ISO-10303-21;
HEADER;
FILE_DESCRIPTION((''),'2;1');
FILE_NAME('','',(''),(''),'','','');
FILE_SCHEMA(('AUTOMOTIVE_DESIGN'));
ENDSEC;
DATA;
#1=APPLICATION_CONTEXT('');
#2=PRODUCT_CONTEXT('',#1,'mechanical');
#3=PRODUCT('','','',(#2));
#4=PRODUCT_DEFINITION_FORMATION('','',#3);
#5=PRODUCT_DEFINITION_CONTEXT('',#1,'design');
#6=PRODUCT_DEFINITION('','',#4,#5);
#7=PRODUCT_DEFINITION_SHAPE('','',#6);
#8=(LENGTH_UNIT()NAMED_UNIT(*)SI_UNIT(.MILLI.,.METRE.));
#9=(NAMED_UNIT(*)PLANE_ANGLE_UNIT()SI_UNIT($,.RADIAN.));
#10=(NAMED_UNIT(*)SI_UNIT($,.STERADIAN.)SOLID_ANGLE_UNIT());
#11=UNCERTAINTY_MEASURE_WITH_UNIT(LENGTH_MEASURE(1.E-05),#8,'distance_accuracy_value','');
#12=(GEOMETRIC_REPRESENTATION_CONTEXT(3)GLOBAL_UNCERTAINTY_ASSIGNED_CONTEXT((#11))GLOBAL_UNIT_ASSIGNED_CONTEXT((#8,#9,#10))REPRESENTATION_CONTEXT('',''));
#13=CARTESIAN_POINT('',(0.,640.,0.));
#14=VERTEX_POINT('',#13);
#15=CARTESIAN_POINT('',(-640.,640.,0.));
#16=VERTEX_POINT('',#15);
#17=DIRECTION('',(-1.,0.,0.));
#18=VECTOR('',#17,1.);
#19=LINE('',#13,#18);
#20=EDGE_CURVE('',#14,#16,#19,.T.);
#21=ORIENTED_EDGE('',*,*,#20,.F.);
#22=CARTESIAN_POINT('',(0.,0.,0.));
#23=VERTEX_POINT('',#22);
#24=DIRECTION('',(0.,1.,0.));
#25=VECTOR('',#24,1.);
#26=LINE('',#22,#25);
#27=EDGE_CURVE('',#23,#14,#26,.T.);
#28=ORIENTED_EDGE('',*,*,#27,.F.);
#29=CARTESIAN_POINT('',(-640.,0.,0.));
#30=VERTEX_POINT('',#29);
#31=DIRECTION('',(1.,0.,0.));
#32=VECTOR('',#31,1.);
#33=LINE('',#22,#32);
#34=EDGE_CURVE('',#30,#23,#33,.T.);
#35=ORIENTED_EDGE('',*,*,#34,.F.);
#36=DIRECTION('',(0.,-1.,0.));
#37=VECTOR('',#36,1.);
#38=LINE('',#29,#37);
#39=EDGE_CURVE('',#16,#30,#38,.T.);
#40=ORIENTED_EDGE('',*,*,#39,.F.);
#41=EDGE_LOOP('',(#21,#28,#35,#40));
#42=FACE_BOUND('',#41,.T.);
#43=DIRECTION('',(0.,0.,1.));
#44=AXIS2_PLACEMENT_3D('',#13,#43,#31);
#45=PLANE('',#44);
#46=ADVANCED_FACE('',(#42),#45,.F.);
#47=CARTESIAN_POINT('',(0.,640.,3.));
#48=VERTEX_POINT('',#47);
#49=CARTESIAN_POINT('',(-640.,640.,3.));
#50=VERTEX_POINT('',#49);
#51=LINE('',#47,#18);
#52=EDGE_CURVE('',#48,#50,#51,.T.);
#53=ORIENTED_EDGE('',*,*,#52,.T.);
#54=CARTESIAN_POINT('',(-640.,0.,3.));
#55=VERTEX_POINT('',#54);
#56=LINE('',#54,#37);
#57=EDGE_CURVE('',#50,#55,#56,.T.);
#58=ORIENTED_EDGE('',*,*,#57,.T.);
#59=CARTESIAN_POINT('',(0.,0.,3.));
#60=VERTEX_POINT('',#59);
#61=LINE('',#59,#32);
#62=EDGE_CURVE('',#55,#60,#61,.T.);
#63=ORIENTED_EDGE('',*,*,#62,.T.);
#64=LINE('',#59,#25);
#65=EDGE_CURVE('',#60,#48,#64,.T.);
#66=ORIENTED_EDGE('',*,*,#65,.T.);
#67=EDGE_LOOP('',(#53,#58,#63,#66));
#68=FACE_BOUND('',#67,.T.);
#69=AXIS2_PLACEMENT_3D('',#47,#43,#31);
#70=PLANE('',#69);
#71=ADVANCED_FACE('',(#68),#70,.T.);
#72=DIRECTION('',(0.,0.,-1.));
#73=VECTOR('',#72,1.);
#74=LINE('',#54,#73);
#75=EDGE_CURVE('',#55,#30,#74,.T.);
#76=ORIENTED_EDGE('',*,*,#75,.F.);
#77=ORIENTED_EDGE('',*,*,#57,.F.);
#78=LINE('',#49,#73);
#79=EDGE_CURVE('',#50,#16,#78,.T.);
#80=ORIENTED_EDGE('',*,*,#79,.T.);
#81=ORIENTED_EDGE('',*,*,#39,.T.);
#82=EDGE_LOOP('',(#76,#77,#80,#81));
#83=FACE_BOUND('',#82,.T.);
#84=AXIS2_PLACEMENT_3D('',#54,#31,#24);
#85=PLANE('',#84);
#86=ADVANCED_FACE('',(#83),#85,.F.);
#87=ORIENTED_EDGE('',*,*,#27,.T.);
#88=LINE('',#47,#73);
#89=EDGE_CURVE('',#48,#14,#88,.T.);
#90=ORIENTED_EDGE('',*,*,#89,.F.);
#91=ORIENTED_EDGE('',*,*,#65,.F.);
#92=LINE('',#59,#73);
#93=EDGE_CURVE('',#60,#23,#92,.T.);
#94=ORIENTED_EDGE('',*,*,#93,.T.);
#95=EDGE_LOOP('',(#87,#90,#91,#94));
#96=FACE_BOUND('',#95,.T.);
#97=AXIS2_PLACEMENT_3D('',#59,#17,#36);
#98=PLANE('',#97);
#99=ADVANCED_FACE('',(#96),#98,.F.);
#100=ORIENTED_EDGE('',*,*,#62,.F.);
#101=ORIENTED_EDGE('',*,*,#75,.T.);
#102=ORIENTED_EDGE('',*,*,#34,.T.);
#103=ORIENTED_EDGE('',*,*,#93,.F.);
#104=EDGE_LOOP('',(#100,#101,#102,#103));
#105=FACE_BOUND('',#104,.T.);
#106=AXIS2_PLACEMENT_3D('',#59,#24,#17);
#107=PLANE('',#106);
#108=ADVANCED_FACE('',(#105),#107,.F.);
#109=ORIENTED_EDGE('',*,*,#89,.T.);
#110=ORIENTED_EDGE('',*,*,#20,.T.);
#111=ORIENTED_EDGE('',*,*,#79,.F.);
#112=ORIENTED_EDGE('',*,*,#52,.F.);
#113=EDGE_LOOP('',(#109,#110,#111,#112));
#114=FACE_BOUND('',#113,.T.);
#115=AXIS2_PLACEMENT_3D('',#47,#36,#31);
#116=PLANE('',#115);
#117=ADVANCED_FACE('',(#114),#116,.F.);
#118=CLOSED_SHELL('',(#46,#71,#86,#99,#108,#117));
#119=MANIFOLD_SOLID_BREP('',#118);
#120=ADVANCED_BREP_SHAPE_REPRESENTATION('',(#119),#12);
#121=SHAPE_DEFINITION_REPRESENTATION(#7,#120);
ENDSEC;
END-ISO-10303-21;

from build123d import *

# Parameters (mm, degrees)
ESQUISSE1_W        = 640
ESQUISSE1_H        = 640
BOSS_EXTRU_1_DEPTH = 3


with BuildPart() as part:
    # Esquisse1 → Boss.-Extru.1 (new body)
    with BuildSketch(Plane.XY):
        with Locations((-320, 320)):
            Rectangle(ESQUISSE1_W, ESQUISSE1_H)
    extrude(amount=BOSS_EXTRU_1_DEPTH)


solid = part.part
